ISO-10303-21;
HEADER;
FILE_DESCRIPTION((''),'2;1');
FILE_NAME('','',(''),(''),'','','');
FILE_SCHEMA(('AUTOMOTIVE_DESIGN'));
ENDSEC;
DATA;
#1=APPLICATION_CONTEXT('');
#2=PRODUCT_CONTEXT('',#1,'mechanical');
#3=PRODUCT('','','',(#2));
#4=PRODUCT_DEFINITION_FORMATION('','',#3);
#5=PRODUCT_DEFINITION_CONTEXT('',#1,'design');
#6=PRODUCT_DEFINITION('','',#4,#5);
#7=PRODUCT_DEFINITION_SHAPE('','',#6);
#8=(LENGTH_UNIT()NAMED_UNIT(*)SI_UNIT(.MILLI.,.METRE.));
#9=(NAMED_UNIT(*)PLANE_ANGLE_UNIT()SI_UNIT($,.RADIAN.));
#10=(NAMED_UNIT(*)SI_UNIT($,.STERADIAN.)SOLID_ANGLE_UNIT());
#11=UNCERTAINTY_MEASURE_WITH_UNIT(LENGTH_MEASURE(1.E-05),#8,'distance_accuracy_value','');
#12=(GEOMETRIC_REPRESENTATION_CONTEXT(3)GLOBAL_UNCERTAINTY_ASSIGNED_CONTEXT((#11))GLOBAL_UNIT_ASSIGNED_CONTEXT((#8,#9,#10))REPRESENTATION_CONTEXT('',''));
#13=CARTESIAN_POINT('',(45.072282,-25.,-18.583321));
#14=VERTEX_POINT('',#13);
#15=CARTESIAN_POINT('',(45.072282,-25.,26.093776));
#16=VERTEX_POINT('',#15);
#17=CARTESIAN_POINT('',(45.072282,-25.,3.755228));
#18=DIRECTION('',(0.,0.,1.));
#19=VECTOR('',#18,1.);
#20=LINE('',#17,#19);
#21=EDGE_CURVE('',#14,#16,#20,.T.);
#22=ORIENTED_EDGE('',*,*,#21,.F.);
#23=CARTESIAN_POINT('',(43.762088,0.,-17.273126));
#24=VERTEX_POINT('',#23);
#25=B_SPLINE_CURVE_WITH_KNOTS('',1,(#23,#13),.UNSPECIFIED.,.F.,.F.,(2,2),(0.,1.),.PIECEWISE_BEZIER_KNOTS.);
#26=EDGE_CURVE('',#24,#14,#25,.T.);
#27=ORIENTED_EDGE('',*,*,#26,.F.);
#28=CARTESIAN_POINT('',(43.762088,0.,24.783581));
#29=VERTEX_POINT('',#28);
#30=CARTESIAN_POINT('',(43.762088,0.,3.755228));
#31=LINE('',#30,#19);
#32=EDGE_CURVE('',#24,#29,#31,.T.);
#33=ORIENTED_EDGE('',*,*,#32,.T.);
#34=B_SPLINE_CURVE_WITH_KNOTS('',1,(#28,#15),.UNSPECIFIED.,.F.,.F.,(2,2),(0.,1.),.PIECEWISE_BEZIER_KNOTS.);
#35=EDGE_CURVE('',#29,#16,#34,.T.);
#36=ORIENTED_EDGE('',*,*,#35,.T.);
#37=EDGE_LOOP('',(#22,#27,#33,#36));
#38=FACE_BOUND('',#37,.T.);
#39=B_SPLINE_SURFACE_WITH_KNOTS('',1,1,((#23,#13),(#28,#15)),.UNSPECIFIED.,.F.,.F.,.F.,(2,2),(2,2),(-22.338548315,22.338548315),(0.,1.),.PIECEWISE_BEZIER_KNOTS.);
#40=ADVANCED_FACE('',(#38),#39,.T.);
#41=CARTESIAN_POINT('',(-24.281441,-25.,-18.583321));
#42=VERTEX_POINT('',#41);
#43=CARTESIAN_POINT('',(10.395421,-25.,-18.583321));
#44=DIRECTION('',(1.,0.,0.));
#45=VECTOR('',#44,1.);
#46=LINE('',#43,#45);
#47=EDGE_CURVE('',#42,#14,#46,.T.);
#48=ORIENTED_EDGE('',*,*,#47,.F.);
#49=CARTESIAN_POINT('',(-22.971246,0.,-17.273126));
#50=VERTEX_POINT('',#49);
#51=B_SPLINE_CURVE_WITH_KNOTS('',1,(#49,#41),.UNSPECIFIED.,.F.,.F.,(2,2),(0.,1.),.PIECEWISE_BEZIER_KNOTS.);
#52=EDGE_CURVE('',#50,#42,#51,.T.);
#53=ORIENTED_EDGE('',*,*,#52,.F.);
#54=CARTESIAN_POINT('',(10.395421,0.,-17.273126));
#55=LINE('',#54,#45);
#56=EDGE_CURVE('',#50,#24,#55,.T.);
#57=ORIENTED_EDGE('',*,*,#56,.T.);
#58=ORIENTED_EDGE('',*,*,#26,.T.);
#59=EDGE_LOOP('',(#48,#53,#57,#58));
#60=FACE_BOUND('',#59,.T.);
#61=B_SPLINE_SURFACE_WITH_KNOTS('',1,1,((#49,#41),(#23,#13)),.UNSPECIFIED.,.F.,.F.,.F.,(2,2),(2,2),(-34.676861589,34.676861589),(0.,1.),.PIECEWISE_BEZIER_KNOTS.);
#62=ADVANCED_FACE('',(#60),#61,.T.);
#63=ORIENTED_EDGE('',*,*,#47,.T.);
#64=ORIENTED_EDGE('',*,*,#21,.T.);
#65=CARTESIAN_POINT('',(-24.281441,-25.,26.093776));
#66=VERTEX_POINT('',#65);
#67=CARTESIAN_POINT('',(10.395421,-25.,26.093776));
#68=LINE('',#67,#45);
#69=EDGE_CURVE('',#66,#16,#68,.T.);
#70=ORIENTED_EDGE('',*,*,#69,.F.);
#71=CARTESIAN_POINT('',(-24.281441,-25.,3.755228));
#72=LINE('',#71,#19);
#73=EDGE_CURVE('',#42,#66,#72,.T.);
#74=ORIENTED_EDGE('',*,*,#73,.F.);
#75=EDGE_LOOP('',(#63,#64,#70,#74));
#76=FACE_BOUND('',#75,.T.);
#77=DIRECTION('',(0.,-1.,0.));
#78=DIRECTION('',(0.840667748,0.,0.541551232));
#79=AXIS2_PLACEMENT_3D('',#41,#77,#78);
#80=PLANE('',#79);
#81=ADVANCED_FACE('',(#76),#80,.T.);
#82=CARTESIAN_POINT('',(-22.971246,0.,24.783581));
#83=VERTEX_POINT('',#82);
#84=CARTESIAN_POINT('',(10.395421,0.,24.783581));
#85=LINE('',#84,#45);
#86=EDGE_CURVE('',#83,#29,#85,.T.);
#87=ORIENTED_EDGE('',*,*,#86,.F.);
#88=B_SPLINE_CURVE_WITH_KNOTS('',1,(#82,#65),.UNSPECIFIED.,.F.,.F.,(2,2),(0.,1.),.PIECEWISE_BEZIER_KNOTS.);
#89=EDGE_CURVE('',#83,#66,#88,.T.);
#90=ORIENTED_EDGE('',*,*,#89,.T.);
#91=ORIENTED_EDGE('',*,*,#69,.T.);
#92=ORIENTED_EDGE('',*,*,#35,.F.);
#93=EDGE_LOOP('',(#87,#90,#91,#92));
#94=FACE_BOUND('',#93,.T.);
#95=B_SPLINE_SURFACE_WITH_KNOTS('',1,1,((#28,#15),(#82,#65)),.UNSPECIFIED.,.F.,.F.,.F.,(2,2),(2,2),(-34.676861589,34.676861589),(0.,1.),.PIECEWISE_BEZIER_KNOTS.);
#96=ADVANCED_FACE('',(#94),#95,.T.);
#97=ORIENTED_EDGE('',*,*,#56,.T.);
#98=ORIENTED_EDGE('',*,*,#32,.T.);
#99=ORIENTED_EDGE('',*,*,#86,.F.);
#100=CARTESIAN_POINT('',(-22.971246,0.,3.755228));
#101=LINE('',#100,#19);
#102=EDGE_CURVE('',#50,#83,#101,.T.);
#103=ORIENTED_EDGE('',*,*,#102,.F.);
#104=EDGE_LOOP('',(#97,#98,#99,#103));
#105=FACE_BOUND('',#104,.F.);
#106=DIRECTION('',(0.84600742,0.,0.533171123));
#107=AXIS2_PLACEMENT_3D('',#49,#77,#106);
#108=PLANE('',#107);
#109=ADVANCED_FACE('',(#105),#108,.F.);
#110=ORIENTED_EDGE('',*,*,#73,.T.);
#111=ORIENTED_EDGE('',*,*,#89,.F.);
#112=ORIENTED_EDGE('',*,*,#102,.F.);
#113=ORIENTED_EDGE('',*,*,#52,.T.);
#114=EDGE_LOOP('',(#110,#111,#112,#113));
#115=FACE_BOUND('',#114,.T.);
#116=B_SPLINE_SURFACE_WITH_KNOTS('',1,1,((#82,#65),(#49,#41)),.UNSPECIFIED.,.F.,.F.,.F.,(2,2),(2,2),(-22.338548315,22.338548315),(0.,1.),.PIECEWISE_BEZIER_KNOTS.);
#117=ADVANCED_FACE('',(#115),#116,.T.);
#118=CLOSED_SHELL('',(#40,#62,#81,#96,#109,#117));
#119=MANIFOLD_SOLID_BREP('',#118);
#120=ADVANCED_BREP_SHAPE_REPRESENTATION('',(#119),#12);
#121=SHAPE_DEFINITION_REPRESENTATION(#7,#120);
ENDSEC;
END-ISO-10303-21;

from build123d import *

# Parameters (mm, degrees)
F0_W     = 66.7333342135
F0_H     = 42.0567076653
F1_DEPTH = 25
F1_TAPER = -3


with BuildPart() as f1:
    # F0 (on Front) → F1 (new body)
    with BuildSketch(Plane.XZ):
        with Locations((10.3954207152, 3.7552276626)):
            Rectangle(F0_W, F0_H)
    extrude(amount=F1_DEPTH, taper=F1_TAPER)


solid = f1.part
